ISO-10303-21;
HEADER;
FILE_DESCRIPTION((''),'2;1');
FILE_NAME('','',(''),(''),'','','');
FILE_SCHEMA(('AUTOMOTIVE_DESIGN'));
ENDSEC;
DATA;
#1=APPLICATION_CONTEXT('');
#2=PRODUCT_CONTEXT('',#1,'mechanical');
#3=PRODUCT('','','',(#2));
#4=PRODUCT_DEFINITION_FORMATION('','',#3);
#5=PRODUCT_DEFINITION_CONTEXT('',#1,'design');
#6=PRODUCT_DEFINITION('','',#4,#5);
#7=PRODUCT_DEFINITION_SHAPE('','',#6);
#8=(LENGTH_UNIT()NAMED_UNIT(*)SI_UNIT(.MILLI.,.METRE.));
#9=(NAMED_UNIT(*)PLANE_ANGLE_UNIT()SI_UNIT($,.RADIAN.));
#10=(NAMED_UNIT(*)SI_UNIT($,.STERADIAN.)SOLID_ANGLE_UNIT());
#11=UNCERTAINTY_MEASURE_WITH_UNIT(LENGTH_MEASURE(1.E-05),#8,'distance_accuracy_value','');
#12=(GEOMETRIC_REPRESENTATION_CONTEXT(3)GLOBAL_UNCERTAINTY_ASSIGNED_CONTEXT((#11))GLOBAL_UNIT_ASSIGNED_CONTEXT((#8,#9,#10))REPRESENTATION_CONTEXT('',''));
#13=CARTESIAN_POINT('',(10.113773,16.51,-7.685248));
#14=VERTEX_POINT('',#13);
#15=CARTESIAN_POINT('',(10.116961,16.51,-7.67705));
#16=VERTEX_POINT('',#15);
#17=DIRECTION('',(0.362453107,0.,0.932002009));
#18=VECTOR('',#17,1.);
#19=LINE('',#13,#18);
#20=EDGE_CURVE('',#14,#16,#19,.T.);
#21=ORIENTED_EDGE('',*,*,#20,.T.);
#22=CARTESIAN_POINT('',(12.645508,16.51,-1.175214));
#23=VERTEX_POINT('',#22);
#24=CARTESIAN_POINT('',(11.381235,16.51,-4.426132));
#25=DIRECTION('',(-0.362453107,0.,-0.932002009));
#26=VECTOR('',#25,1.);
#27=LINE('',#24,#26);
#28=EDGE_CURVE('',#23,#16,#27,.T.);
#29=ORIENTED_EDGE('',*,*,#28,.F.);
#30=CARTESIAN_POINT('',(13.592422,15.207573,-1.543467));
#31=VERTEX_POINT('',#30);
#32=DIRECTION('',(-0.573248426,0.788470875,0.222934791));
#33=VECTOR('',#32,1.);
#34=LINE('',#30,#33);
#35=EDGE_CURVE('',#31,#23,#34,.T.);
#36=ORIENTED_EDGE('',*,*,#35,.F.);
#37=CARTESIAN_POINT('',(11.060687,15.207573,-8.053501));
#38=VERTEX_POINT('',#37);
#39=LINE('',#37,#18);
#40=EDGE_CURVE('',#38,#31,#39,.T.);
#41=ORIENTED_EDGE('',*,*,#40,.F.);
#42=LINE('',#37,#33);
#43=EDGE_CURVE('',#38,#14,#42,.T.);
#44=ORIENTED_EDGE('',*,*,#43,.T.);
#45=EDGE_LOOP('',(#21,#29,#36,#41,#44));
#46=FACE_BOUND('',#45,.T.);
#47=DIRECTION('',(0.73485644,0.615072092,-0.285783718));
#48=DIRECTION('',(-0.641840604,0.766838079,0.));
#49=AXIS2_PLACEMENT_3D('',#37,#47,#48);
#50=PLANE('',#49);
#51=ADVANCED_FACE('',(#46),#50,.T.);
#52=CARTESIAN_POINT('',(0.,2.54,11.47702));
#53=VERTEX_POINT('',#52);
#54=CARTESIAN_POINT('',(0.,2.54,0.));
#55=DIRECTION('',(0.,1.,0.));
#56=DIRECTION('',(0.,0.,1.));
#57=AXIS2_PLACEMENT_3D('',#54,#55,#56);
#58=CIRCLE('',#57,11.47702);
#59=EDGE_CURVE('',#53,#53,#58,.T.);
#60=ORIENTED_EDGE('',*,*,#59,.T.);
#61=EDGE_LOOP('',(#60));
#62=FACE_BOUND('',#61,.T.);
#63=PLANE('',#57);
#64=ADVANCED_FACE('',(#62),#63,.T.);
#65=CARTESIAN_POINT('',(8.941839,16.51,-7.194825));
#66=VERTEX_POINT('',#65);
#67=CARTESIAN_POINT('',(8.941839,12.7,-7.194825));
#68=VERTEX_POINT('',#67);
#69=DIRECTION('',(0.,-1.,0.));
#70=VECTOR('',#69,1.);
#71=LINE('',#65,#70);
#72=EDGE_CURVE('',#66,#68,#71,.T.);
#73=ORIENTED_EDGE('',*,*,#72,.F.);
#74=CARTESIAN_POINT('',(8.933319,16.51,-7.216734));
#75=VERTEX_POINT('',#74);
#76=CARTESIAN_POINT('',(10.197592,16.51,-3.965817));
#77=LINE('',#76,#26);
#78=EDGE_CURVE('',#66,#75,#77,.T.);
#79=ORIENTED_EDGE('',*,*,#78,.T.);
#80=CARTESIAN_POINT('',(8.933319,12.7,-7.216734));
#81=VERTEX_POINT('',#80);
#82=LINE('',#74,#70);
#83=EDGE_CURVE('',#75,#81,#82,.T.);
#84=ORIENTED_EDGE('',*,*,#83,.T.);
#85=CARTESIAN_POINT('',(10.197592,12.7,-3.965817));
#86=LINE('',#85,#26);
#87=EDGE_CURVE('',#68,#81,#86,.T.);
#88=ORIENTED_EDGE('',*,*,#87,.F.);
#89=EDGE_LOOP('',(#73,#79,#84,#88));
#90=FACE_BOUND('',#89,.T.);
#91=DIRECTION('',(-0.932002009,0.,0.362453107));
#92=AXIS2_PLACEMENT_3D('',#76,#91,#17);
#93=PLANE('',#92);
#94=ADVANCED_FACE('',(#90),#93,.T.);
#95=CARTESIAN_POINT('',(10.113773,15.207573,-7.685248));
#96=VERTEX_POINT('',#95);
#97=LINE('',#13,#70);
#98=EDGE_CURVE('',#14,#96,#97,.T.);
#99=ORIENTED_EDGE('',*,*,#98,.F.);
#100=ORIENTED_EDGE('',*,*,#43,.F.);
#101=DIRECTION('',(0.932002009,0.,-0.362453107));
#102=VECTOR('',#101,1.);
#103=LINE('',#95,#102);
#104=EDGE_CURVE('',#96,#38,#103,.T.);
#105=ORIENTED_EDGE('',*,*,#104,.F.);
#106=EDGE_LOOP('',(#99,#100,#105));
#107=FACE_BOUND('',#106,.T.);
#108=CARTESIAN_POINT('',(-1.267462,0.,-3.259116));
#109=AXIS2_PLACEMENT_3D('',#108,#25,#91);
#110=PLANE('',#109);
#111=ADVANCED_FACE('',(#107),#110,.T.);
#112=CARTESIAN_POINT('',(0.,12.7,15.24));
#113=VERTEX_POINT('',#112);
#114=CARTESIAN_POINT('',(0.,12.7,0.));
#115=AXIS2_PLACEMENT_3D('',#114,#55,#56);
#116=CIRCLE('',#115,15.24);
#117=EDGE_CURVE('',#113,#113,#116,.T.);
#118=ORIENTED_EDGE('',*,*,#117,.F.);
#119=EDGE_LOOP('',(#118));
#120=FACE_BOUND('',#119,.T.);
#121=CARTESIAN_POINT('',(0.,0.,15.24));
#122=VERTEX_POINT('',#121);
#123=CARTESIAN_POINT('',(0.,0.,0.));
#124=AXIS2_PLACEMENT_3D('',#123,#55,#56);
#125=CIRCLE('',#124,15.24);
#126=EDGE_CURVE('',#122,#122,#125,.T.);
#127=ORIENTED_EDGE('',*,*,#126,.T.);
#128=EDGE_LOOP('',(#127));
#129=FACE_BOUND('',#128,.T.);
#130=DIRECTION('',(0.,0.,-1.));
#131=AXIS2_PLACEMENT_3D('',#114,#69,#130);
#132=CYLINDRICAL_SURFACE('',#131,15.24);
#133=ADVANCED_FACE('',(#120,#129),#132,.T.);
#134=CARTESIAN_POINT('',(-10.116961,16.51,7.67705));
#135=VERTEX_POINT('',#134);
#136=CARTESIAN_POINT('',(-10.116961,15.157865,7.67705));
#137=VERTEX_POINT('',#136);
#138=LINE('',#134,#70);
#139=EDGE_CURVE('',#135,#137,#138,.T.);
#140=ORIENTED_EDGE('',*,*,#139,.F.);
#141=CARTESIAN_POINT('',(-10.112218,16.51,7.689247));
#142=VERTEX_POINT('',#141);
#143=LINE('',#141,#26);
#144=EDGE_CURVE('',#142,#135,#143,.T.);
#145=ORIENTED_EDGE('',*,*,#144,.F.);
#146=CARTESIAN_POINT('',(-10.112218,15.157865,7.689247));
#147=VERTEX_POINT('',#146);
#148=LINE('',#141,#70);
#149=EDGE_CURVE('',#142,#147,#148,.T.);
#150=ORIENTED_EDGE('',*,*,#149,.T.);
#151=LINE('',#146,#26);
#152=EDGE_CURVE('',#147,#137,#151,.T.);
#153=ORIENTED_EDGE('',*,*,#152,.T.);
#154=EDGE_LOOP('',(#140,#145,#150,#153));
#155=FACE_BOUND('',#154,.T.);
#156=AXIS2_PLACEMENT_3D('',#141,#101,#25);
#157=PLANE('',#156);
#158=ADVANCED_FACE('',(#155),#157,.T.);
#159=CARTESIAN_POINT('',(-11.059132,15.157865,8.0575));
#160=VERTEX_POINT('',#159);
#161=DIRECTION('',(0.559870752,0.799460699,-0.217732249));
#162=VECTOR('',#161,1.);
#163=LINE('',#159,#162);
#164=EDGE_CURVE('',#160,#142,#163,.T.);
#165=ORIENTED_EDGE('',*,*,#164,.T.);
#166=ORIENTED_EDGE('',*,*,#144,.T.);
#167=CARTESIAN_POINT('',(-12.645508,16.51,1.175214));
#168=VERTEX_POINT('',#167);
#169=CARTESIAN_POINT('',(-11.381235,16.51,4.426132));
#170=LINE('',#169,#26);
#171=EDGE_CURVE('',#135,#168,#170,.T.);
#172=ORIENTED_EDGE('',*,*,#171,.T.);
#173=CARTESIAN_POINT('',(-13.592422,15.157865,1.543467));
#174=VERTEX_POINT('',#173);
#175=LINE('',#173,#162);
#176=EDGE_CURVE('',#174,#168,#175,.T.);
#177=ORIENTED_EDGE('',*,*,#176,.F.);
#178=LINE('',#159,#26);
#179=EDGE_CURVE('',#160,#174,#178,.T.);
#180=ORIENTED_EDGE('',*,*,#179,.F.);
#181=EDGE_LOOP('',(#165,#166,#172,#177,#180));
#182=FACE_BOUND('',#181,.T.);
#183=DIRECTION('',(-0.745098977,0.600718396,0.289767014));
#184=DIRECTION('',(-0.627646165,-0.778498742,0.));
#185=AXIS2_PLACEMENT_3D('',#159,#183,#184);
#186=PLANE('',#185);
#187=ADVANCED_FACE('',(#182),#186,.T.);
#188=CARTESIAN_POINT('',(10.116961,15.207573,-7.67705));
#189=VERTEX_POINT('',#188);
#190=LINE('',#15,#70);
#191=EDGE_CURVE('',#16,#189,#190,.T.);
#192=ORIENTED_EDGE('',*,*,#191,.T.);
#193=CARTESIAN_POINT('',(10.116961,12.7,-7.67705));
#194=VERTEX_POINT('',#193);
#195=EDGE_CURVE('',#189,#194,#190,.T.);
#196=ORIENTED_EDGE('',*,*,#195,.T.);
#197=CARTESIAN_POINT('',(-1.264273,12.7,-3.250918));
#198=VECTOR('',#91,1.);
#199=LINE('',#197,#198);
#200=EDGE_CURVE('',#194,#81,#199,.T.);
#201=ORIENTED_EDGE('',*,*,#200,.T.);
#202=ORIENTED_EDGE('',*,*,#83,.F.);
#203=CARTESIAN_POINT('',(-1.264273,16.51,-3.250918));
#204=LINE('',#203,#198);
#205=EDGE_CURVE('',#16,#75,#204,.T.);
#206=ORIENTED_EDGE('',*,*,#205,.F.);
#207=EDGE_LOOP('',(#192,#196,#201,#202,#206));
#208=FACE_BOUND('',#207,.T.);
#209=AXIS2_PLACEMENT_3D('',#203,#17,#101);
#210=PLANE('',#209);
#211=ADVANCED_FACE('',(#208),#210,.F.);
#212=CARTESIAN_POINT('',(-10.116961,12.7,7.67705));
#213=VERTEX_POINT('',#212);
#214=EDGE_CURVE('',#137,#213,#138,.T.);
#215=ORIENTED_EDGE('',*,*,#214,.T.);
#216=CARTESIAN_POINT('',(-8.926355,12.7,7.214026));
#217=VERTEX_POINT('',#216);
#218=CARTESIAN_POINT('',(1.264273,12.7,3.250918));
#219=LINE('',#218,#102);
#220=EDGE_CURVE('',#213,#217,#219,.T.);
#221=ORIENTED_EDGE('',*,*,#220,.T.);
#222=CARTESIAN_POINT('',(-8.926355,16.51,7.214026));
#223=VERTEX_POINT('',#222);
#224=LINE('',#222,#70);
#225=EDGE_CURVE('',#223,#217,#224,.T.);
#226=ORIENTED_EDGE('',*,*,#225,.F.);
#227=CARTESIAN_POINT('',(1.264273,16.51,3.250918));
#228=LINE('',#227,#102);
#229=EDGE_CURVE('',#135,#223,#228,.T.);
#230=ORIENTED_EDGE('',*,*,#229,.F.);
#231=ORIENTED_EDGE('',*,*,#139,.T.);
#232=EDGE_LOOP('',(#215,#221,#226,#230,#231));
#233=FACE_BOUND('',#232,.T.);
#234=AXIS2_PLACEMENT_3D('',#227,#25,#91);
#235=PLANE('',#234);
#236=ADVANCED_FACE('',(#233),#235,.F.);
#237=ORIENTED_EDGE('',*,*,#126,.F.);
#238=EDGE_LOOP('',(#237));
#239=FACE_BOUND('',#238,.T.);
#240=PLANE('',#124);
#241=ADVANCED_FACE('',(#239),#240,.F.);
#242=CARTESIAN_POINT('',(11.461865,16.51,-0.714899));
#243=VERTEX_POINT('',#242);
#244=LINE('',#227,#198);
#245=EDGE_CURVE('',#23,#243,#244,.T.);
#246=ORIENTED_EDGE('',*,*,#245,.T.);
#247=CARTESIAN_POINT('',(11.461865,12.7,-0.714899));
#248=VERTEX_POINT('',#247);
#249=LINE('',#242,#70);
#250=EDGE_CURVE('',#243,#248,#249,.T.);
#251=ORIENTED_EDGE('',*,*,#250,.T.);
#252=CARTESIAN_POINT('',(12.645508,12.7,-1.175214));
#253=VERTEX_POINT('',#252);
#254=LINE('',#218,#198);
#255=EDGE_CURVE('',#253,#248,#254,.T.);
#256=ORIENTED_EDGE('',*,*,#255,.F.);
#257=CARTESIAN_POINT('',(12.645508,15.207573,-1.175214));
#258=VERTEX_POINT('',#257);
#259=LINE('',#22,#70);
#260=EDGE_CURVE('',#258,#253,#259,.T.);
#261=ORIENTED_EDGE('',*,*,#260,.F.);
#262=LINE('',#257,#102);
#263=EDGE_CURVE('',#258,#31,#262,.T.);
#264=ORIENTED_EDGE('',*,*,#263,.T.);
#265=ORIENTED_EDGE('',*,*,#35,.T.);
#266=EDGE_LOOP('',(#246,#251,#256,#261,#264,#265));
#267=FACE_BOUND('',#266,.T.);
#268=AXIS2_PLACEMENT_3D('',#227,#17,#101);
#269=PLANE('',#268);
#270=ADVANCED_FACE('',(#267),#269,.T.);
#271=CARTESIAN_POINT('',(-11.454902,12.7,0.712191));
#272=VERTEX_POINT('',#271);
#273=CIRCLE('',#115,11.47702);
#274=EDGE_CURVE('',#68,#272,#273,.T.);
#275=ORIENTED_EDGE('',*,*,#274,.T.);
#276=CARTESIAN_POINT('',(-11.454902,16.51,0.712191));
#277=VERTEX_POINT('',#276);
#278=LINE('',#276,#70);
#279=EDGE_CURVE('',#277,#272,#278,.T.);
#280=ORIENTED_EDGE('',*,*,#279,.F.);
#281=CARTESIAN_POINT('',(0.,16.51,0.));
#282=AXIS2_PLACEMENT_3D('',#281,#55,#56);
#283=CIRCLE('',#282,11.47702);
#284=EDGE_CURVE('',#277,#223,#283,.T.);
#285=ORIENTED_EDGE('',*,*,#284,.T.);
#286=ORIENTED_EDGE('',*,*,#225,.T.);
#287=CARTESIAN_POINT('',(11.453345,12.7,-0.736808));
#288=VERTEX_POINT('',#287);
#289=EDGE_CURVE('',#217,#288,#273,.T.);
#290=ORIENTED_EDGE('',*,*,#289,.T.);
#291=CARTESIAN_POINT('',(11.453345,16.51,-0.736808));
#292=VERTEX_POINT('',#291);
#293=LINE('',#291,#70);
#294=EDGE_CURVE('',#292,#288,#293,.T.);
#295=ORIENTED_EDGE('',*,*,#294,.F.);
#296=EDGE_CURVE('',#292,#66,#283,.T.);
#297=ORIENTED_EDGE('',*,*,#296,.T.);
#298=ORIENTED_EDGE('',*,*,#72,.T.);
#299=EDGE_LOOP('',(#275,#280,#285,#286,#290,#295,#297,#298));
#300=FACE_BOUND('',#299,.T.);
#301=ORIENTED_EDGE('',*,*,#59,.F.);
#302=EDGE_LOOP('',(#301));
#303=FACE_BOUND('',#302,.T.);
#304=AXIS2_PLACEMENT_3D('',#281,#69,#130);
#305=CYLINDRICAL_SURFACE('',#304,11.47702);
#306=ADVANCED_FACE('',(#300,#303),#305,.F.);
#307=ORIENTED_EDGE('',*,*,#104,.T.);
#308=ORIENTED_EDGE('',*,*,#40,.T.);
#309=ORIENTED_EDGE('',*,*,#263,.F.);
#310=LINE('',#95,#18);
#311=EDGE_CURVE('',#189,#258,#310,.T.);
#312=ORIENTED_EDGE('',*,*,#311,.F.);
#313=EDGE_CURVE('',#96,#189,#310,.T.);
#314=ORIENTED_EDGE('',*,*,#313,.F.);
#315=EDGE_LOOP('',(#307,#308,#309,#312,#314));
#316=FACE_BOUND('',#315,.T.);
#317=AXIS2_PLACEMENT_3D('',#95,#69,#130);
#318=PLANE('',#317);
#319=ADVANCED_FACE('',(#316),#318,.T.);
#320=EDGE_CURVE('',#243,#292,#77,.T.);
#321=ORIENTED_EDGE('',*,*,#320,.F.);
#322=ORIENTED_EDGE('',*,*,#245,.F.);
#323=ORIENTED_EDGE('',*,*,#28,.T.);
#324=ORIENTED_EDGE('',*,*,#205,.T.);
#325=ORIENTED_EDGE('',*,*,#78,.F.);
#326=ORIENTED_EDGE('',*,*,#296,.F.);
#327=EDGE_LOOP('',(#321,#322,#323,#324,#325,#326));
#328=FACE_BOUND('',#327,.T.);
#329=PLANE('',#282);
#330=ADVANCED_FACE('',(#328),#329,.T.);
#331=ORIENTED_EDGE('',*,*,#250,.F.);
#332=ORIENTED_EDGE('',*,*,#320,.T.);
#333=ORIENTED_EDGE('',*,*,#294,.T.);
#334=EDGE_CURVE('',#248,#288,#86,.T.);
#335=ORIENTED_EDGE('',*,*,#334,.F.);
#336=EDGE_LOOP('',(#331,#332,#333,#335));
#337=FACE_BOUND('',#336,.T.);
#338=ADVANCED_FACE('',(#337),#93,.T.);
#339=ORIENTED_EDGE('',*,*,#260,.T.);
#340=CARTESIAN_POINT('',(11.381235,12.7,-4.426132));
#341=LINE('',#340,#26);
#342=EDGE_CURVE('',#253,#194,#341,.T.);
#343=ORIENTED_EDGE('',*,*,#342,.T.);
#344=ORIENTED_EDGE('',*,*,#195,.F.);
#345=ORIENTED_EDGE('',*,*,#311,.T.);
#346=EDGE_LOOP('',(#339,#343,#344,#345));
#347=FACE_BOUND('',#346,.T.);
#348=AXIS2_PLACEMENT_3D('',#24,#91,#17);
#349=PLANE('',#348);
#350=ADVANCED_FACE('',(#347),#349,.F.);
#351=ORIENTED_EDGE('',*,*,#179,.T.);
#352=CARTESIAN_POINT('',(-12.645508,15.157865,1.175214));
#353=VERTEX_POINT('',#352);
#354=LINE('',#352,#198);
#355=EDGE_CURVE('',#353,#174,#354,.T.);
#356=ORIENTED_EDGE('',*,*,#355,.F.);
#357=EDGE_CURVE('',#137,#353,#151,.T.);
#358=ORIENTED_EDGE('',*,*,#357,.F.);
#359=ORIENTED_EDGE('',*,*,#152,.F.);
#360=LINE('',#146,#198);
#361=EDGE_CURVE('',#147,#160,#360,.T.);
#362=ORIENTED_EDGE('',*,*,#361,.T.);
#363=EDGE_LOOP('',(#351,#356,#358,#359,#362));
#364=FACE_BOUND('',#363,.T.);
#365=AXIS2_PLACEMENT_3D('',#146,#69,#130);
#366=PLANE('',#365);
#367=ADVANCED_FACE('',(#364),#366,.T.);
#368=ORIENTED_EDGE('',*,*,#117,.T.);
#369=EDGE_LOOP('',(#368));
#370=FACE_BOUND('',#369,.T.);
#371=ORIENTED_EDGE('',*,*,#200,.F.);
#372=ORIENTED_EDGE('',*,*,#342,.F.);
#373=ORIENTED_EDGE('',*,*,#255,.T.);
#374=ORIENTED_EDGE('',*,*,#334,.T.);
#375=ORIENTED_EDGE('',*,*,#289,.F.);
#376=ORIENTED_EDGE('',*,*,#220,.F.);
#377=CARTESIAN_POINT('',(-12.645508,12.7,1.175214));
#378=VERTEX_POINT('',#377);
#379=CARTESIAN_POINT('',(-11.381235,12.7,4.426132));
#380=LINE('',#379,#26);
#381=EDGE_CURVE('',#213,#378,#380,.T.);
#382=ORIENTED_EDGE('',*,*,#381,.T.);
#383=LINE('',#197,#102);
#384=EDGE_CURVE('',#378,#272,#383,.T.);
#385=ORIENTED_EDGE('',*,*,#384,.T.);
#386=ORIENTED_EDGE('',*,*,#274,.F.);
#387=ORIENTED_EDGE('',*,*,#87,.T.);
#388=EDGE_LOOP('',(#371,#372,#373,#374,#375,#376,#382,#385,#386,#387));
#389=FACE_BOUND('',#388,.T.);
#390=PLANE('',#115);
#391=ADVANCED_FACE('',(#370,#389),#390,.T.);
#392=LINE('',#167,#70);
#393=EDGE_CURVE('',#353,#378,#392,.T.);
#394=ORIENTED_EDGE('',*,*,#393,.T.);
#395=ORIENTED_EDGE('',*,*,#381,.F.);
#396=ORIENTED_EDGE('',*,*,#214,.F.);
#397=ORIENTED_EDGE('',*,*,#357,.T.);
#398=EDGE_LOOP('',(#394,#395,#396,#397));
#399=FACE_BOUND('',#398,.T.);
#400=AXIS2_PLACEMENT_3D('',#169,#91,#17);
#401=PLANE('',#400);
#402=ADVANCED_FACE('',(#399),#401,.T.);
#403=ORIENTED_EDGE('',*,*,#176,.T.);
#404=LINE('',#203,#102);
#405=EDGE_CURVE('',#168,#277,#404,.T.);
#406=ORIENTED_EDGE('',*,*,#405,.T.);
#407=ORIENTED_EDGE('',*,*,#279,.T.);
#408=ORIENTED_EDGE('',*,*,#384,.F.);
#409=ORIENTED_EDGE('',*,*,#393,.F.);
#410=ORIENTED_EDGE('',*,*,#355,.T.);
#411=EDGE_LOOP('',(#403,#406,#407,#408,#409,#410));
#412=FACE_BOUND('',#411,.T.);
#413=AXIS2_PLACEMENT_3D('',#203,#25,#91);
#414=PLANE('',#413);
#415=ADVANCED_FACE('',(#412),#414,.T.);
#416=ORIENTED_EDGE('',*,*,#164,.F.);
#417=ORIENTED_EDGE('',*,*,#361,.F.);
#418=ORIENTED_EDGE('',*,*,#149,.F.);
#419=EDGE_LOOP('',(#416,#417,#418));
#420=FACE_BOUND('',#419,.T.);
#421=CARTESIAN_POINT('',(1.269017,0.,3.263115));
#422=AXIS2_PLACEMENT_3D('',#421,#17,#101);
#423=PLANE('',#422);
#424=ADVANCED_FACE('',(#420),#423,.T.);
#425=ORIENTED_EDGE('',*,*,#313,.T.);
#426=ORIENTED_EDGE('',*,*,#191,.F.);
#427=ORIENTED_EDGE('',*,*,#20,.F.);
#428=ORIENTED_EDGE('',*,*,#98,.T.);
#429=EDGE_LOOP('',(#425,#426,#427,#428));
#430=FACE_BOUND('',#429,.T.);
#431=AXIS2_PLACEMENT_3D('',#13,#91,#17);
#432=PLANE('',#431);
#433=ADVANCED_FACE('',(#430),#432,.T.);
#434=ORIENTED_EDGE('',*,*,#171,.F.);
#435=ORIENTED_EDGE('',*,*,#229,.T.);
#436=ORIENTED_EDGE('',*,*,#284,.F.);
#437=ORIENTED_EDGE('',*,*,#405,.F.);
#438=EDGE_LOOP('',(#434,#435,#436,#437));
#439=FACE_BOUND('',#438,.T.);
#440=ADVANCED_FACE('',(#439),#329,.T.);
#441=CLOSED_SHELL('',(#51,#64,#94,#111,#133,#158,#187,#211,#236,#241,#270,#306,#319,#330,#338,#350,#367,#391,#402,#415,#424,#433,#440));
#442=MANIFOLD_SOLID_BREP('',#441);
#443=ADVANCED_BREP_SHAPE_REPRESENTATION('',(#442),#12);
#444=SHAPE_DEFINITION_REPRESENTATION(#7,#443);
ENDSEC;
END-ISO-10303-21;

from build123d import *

# Parameters (mm, degrees)
SKETCH1_R            = 15.24
BOSS_EXTRUDE1_DEPTH  = 12.7
BOSS_EXTRUDE10_DEPTH = 3.81
BOSS_EXTRUDE11_DEPTH = 6.989290822
BOSS_EXTRUDE12_DEPTH = 6.985
SKETCH9_R            = 11.477020293
CUT_EXTRUDE3_DEPTH   = 10.16


with BuildPart() as part:
    # Sketch1 → Boss-Extrude1 (new body)
    with BuildSketch(Plane(origin=(0, 0, 0), x_dir=(1, 0, 0), z_dir=(0, 1, 0))):
        Circle(SKETCH1_R)
    extrude(amount=BOSS_EXTRUDE1_DEPTH)

    # Sketch3 → Boss-Extrude10 (add)
    with BuildSketch(Plane(origin=(0, 12.7, 0), x_dir=(1, 0, 0), z_dir=(0, 1, 0))):
        with BuildLine():
            Line((11.427775698, 1.062043977), (12.64550795, 1.175214312))
            Line((12.64550795, 1.175214312), (10.116961472, 7.677049601))
            Line((10.116961472, 7.677049601), (9.142722214, 6.937768036))
            ThreePointArc((9.142722214, 6.937768036), (10.696605975, 4.159881659), (11.427775698, 1.062043977))
        make_face()
        with BuildLine():
            Line((9.142722214, 6.937768036), (10.116961472, 7.677049601))
            Line((10.116961472, 7.677049601), (8.93331892, 7.216734155))
            Line((8.93331892, 7.216734155), (8.94183947, 7.194824647))
            ThreePointArc((8.94183947, 7.194824647), (9.043194256, 7.06701015), (9.142722214, 6.937768036))
        make_face()
        with BuildLine():
            Line((11.461865398, 0.714898867), (12.64550795, 1.175214312))
            Line((12.64550795, 1.175214312), (11.427775698, 1.062043977))
            ThreePointArc((11.427775698, 1.062043977), (11.441715952, 0.899517032), (11.453344849, 0.736808375))
            Line((11.453344849, 0.736808375), (11.461865398, 0.714898867))
        make_face()
        with BuildLine():
            Line((-9.142722214, -6.937768036), (-10.116961472, -7.677049601))
            Line((-10.116961472, -7.677049601), (-8.926355488, -7.214026095))
            ThreePointArc((-8.926355488, -7.214026095), (-9.035594717, -7.076724025), (-9.142722214, -6.937768036))
        make_face()
        with BuildLine():
            Line((-11.427775698, -1.062043977), (-12.64550795, -1.175214312))
            Line((-12.64550795, -1.175214312), (-10.116961472, -7.677049601))
            Line((-10.116961472, -7.677049601), (-9.142722214, -6.937768036))
            ThreePointArc((-9.142722214, -6.937768036), (-10.696605975, -4.159881659), (-11.427775698, -1.062043977))
        make_face()
        with BuildLine():
            Line((-11.454901967, -0.712190807), (-12.64550795, -1.175214312))
            Line((-12.64550795, -1.175214312), (-11.427775698, -1.062043977))
            ThreePointArc((-11.427775698, -1.062043977), (-11.44267598, -0.887221069), (-11.454901967, -0.712190807))
        make_face()
    extrude(amount=BOSS_EXTRUDE10_DEPTH)

    # Sketch6 → Boss-Extrude11 (add)
    with BuildSketch(Plane(origin=(-1.264273239, 0, -3.250917644), x_dir=(-0.932002009, 0, 0.362453107), z_dir=(-0.362453107, 0, -0.932002009))):
        Polygon((12.211598898, 16.51), (12.211598898, 15.157865498), (13.227598898, 15.157865498), align=None)
    extrude(amount=-BOSS_EXTRUDE11_DEPTH)

    # Sketch7 → Boss-Extrude12 (add)
    with BuildSketch(Plane(origin=(1.264273239, 0, 3.250917644), x_dir=(0.932002009, 0, -0.362453107), z_dir=(0.362453107, 0, 0.932002009))):
        Polygon((12.211598898, 16.51), (12.211598898, 15.207573147), (13.227598898, 15.207573147), align=None)
    extrude(amount=-BOSS_EXTRUDE12_DEPTH)

    # Sketch9 → Cut-Extrude3 (cut)
    with BuildSketch(Plane(origin=(0, 12.7, 0), x_dir=(1, 0, 0), z_dir=(0, 1, 0))):
        Circle(SKETCH9_R)
    extrude(amount=-CUT_EXTRUDE3_DEPTH, mode=Mode.SUBTRACT)


solid = part.part
